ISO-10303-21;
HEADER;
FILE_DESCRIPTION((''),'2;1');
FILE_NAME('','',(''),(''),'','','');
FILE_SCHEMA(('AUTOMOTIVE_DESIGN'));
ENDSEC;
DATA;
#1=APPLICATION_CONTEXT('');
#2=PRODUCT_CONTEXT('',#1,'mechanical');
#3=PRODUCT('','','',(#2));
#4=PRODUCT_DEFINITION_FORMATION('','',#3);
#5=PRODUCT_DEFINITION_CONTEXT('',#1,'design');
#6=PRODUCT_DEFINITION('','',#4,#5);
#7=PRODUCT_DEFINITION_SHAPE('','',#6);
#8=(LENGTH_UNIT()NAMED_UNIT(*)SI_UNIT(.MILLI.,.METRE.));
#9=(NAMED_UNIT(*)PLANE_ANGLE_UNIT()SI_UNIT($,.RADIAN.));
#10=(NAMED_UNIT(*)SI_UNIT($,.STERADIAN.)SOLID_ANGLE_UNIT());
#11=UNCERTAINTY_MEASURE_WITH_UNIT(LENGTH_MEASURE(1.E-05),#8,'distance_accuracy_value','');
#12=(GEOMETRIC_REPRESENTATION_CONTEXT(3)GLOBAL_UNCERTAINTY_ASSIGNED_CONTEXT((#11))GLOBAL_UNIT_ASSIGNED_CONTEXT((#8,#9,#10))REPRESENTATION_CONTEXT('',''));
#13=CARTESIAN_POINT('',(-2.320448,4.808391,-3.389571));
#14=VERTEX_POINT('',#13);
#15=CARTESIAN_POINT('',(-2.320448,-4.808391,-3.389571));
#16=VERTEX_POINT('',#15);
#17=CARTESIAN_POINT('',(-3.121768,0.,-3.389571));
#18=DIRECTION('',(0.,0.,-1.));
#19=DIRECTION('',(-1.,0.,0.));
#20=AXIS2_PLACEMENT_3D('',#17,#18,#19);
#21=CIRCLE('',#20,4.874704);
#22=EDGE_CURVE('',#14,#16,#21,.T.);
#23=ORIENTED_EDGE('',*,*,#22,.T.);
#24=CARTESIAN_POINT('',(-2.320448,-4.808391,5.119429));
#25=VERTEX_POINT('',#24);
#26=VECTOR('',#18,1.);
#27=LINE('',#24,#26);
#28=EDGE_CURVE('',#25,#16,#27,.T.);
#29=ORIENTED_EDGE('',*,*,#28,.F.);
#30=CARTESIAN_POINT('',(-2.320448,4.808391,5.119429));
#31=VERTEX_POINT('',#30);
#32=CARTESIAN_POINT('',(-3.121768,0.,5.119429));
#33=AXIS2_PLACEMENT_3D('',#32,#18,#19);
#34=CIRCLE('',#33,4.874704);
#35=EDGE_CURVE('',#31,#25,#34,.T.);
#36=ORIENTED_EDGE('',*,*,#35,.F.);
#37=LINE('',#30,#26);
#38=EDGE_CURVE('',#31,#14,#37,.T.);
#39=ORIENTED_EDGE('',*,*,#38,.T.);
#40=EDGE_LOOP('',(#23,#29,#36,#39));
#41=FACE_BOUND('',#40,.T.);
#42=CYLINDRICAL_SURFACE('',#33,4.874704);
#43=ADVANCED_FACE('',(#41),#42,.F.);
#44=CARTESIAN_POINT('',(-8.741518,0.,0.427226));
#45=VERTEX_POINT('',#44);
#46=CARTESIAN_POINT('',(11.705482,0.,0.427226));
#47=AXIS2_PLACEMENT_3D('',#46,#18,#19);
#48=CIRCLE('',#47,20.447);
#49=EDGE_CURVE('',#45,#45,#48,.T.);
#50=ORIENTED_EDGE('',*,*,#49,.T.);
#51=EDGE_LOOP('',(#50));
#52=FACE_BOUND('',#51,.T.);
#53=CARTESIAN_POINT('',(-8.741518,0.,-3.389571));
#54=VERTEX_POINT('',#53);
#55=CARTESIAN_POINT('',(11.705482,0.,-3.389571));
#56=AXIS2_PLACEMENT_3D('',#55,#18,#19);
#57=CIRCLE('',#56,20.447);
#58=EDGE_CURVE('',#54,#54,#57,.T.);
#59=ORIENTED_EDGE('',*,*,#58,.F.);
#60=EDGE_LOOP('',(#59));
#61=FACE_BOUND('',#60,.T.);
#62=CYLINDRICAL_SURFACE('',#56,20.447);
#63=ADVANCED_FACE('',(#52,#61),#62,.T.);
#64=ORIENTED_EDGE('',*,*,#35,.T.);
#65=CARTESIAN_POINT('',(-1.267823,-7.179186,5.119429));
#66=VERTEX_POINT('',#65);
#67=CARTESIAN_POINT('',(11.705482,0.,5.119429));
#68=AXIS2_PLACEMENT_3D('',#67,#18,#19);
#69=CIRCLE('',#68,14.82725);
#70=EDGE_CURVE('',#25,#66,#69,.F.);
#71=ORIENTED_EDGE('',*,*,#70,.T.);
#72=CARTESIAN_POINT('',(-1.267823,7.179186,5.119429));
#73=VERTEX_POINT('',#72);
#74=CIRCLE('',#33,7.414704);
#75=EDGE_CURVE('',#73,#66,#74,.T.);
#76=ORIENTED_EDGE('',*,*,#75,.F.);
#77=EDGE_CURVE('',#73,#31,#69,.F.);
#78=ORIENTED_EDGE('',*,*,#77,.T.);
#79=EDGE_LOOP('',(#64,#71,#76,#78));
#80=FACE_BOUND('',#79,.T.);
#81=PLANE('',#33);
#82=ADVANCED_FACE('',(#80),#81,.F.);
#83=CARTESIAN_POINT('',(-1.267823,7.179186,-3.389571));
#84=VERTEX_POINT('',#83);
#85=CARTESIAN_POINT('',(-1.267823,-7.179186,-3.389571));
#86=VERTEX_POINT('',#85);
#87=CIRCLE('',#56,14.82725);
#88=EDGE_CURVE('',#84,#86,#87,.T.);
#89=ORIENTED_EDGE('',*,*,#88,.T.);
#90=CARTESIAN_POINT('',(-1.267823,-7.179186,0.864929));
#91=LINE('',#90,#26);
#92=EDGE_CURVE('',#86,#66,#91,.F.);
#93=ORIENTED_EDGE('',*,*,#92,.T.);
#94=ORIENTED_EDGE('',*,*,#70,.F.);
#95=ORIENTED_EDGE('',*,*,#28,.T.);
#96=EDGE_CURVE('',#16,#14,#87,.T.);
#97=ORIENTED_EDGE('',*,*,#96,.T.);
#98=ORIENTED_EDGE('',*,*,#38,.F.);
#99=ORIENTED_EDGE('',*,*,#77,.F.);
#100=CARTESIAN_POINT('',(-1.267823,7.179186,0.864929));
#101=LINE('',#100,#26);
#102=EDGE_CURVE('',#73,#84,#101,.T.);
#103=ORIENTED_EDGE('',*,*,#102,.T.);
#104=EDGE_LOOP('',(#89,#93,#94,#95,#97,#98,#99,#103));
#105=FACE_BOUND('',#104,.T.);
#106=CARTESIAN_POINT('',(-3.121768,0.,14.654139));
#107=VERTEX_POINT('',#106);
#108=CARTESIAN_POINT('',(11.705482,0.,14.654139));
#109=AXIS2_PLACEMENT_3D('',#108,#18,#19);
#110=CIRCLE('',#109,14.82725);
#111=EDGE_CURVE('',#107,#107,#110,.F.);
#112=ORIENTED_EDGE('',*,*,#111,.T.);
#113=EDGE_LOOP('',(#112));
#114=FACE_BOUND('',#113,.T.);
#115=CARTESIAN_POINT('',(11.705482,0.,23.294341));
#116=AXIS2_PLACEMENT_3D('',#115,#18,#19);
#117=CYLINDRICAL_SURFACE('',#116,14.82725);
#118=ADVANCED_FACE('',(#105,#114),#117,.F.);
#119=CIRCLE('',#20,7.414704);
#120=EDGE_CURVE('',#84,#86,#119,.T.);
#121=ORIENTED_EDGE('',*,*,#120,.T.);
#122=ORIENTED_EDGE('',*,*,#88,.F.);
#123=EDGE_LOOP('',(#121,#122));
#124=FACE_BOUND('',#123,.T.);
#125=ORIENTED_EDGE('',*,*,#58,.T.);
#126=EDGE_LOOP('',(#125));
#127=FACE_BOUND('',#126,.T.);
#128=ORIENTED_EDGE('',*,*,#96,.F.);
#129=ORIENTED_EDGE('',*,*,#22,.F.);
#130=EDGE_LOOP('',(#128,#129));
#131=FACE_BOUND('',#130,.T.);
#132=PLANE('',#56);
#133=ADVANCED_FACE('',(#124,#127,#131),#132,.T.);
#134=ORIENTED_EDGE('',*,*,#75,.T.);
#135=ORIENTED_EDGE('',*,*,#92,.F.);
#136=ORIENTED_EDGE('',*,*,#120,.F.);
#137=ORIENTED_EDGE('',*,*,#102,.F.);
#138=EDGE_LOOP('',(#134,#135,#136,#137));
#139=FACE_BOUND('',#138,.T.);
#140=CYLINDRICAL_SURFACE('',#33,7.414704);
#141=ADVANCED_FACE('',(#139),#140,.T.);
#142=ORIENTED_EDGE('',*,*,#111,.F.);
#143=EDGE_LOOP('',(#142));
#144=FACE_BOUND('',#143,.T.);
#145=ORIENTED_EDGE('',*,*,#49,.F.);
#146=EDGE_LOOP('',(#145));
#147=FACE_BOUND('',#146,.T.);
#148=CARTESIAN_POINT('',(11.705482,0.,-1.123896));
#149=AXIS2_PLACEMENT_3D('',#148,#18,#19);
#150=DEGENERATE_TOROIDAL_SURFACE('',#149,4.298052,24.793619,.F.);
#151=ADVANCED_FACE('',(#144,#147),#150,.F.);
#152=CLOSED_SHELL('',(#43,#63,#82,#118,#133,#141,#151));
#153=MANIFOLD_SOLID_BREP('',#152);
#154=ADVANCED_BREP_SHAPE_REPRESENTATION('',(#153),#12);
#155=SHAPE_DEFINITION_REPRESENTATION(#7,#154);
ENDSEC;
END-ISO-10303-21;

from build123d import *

# Parameters (mm, degrees)
SKETCH4_R           = 14.82725
CUT_EXTRUDE2_DEPTH  = 47.51766397
EXTRUDE_THIN1_DEPTH = 8.509


with BuildPart() as part:
    # Sketch1 → Revolve1 (revolve)
    with BuildSketch(Plane(origin=(0, 0, 0), x_dir=(1, 0, 0), z_dir=(0, 1, 0))):
        with BuildLine():
            Line((-8.741518228, 3.389570958), (-8.741518228, -0.427226446))
            ThreePointArc((-8.741518228, -0.427226446), (-2.478936495, -15.402502765), (11.705481772, -23.294340903))
            Line((11.705481772, -23.294340903), (11.705481772, 3.389570958))
            Line((11.705481772, 3.389570958), (-8.741518228, 3.389570958))
        make_face()
    revolve(axis=Axis((11.705481772, 0, -3.389570958), (0, 0, 1)))

    # Sketch4 → Cut-Extrude2 (cut, through all)
    with BuildSketch(Plane(origin=(0, 0, -3.389570958), x_dir=(-1, 0, 0), z_dir=(0, 0, -1))):
        with Locations((-11.705481772, 0)):
            Circle(SKETCH4_R)
    extrude(amount=-CUT_EXTRUDE2_DEPTH, mode=Mode.SUBTRACT)

    # Sketch5 → Extrude-Thin1 (add)
    with BuildSketch(Plane(origin=(0, 0, -3.389570958), x_dir=(-1, 0, 0), z_dir=(0, 0, -1))):
        with BuildLine():
            ThreePointArc((2.320448494, 4.808390867), (-1.752935461, 0), (2.320448494, -4.808390867))
            Line((2.320448494, -4.808390867), (1.902914987, -7.313838087))
            ThreePointArc((1.902914987, -7.313838087), (-4.292935461, 0), (1.902914987, 7.313838087))
            Line((1.902914987, 7.313838087), (2.320448494, 4.808390867))
        make_face()
    extrude(amount=-EXTRUDE_THIN1_DEPTH)


solid = part.part
